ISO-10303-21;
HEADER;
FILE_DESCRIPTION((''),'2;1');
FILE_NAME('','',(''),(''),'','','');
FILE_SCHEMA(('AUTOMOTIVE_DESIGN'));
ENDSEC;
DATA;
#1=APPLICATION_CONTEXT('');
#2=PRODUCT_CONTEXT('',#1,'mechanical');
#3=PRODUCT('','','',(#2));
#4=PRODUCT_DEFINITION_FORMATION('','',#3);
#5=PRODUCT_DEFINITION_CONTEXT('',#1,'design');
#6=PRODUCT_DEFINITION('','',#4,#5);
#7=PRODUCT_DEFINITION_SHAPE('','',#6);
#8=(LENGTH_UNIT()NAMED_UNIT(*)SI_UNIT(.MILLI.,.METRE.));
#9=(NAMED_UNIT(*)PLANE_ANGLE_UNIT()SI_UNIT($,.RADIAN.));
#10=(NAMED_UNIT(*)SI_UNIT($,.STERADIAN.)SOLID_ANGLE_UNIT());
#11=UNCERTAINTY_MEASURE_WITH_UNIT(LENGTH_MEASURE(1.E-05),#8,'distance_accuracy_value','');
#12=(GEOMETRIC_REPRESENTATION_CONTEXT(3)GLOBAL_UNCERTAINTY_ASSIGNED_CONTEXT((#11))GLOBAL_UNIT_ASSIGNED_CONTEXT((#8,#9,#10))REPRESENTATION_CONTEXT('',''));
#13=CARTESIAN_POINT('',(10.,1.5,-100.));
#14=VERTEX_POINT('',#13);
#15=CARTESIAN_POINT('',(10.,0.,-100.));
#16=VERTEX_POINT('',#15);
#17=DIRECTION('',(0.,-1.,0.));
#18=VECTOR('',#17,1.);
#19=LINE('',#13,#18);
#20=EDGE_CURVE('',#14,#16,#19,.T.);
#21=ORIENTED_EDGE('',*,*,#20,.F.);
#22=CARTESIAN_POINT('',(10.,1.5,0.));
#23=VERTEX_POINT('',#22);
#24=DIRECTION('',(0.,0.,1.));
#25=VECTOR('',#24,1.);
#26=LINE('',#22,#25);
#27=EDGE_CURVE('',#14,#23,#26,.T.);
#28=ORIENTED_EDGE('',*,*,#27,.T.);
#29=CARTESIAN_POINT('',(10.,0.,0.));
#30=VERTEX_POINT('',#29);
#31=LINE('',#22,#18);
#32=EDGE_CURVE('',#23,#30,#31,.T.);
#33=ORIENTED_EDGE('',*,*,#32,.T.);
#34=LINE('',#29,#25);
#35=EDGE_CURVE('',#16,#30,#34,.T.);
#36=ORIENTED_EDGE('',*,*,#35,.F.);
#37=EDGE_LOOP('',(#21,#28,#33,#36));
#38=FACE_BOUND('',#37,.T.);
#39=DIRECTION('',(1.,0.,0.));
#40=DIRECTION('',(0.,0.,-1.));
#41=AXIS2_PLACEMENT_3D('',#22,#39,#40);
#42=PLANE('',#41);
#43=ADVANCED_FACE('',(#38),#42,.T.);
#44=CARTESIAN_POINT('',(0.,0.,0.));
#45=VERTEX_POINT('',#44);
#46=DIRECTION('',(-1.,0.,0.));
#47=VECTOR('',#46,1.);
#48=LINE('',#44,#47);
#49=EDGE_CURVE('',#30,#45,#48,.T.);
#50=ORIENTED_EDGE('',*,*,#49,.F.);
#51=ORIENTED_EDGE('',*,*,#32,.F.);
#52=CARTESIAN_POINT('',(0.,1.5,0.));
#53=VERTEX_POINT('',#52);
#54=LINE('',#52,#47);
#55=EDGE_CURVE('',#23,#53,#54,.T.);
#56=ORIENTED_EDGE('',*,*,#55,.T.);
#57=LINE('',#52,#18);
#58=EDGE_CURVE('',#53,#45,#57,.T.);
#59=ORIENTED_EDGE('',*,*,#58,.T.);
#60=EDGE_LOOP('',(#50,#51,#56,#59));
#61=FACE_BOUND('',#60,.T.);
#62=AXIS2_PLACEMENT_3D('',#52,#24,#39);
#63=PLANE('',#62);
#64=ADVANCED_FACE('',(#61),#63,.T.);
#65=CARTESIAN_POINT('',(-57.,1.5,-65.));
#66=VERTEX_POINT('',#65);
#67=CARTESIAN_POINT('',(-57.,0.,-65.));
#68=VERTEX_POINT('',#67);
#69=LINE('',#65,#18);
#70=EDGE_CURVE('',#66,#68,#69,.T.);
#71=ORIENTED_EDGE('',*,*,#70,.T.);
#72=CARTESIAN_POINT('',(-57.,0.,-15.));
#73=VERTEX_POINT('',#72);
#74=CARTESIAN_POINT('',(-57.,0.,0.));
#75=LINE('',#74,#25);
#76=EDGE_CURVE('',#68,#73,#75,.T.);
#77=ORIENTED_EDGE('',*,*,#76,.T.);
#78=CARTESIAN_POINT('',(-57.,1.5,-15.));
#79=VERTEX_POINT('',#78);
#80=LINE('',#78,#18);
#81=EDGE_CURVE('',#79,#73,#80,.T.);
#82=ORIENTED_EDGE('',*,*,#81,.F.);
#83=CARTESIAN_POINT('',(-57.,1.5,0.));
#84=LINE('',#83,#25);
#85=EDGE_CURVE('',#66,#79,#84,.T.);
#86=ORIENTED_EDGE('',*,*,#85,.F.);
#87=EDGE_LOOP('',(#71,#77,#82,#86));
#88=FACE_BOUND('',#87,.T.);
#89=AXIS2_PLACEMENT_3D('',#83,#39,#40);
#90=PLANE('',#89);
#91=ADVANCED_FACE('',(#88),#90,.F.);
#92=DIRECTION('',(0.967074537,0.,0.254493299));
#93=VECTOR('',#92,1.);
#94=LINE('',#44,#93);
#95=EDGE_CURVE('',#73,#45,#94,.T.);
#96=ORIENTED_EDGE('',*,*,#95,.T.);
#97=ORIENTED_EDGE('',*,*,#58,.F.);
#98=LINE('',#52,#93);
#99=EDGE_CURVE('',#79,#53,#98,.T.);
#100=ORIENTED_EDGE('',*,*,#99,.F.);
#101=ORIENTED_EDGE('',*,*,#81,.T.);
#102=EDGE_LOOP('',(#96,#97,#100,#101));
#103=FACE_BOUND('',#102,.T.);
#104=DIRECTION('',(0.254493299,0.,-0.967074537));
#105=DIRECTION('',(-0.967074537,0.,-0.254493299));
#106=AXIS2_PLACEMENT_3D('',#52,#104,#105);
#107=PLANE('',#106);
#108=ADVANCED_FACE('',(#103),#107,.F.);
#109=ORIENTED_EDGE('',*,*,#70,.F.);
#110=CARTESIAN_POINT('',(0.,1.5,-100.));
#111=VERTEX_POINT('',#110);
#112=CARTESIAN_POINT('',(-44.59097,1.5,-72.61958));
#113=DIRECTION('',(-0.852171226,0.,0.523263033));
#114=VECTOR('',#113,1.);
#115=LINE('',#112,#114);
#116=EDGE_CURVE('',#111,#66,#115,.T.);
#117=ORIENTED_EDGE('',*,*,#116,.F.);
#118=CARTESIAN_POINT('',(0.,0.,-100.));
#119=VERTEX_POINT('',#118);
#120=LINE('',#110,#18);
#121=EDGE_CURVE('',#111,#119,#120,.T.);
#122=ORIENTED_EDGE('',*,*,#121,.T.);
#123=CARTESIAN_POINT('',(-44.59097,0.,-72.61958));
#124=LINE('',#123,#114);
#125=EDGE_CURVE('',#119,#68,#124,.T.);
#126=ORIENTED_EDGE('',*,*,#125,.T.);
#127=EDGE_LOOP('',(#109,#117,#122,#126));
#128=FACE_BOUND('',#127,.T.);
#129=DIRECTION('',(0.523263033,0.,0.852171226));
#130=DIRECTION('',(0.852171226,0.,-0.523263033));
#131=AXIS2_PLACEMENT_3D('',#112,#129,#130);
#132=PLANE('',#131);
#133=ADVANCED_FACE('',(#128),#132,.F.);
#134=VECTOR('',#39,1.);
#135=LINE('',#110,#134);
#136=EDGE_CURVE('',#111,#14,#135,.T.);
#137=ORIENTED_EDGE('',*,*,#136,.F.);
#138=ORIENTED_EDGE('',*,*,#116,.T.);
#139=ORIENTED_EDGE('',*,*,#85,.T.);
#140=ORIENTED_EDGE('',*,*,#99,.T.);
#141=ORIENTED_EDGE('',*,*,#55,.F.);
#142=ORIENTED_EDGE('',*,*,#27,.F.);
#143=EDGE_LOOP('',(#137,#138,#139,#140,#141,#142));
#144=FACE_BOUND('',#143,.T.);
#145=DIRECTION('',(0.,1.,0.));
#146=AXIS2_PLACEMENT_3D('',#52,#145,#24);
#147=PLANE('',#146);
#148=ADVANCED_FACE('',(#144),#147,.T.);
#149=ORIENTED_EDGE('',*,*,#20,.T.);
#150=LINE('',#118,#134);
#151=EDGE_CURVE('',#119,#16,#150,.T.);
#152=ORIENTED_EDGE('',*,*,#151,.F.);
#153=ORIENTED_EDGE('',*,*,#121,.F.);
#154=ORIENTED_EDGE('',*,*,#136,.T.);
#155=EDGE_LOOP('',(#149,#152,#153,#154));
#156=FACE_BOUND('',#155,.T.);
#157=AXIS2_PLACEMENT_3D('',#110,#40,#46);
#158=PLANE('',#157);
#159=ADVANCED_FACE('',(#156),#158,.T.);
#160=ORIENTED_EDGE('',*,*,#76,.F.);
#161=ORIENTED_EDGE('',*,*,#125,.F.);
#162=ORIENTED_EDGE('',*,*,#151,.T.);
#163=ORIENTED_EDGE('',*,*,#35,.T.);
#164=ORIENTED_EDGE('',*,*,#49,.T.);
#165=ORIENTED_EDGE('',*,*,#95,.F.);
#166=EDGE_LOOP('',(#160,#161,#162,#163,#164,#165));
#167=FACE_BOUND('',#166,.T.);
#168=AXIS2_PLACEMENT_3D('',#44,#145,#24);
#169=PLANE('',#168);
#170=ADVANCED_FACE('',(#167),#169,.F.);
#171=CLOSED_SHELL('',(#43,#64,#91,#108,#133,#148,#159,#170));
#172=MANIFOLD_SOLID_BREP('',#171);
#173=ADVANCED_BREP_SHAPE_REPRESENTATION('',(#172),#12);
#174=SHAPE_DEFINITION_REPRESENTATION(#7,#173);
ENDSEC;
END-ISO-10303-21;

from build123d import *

# Parameters (mm, degrees)
SKETCH1_W           = 10
SKETCH1_H           = 100
BOSS_EXTRUDE1_DEPTH = 1.5


with BuildPart() as part:
    # Sketch1 → Boss-Extrude1 (new body)
    with BuildSketch(Plane(origin=(0, 0, 0), x_dir=(1, 0, 0), z_dir=(0, 1, 0))):
        Polygon((-57, 65), (-57, 15), (0, 0), (0, 100), align=None)
        with Locations((5, 50)):
            Rectangle(SKETCH1_W, SKETCH1_H)
    extrude(amount=BOSS_EXTRUDE1_DEPTH)


solid = part.part
